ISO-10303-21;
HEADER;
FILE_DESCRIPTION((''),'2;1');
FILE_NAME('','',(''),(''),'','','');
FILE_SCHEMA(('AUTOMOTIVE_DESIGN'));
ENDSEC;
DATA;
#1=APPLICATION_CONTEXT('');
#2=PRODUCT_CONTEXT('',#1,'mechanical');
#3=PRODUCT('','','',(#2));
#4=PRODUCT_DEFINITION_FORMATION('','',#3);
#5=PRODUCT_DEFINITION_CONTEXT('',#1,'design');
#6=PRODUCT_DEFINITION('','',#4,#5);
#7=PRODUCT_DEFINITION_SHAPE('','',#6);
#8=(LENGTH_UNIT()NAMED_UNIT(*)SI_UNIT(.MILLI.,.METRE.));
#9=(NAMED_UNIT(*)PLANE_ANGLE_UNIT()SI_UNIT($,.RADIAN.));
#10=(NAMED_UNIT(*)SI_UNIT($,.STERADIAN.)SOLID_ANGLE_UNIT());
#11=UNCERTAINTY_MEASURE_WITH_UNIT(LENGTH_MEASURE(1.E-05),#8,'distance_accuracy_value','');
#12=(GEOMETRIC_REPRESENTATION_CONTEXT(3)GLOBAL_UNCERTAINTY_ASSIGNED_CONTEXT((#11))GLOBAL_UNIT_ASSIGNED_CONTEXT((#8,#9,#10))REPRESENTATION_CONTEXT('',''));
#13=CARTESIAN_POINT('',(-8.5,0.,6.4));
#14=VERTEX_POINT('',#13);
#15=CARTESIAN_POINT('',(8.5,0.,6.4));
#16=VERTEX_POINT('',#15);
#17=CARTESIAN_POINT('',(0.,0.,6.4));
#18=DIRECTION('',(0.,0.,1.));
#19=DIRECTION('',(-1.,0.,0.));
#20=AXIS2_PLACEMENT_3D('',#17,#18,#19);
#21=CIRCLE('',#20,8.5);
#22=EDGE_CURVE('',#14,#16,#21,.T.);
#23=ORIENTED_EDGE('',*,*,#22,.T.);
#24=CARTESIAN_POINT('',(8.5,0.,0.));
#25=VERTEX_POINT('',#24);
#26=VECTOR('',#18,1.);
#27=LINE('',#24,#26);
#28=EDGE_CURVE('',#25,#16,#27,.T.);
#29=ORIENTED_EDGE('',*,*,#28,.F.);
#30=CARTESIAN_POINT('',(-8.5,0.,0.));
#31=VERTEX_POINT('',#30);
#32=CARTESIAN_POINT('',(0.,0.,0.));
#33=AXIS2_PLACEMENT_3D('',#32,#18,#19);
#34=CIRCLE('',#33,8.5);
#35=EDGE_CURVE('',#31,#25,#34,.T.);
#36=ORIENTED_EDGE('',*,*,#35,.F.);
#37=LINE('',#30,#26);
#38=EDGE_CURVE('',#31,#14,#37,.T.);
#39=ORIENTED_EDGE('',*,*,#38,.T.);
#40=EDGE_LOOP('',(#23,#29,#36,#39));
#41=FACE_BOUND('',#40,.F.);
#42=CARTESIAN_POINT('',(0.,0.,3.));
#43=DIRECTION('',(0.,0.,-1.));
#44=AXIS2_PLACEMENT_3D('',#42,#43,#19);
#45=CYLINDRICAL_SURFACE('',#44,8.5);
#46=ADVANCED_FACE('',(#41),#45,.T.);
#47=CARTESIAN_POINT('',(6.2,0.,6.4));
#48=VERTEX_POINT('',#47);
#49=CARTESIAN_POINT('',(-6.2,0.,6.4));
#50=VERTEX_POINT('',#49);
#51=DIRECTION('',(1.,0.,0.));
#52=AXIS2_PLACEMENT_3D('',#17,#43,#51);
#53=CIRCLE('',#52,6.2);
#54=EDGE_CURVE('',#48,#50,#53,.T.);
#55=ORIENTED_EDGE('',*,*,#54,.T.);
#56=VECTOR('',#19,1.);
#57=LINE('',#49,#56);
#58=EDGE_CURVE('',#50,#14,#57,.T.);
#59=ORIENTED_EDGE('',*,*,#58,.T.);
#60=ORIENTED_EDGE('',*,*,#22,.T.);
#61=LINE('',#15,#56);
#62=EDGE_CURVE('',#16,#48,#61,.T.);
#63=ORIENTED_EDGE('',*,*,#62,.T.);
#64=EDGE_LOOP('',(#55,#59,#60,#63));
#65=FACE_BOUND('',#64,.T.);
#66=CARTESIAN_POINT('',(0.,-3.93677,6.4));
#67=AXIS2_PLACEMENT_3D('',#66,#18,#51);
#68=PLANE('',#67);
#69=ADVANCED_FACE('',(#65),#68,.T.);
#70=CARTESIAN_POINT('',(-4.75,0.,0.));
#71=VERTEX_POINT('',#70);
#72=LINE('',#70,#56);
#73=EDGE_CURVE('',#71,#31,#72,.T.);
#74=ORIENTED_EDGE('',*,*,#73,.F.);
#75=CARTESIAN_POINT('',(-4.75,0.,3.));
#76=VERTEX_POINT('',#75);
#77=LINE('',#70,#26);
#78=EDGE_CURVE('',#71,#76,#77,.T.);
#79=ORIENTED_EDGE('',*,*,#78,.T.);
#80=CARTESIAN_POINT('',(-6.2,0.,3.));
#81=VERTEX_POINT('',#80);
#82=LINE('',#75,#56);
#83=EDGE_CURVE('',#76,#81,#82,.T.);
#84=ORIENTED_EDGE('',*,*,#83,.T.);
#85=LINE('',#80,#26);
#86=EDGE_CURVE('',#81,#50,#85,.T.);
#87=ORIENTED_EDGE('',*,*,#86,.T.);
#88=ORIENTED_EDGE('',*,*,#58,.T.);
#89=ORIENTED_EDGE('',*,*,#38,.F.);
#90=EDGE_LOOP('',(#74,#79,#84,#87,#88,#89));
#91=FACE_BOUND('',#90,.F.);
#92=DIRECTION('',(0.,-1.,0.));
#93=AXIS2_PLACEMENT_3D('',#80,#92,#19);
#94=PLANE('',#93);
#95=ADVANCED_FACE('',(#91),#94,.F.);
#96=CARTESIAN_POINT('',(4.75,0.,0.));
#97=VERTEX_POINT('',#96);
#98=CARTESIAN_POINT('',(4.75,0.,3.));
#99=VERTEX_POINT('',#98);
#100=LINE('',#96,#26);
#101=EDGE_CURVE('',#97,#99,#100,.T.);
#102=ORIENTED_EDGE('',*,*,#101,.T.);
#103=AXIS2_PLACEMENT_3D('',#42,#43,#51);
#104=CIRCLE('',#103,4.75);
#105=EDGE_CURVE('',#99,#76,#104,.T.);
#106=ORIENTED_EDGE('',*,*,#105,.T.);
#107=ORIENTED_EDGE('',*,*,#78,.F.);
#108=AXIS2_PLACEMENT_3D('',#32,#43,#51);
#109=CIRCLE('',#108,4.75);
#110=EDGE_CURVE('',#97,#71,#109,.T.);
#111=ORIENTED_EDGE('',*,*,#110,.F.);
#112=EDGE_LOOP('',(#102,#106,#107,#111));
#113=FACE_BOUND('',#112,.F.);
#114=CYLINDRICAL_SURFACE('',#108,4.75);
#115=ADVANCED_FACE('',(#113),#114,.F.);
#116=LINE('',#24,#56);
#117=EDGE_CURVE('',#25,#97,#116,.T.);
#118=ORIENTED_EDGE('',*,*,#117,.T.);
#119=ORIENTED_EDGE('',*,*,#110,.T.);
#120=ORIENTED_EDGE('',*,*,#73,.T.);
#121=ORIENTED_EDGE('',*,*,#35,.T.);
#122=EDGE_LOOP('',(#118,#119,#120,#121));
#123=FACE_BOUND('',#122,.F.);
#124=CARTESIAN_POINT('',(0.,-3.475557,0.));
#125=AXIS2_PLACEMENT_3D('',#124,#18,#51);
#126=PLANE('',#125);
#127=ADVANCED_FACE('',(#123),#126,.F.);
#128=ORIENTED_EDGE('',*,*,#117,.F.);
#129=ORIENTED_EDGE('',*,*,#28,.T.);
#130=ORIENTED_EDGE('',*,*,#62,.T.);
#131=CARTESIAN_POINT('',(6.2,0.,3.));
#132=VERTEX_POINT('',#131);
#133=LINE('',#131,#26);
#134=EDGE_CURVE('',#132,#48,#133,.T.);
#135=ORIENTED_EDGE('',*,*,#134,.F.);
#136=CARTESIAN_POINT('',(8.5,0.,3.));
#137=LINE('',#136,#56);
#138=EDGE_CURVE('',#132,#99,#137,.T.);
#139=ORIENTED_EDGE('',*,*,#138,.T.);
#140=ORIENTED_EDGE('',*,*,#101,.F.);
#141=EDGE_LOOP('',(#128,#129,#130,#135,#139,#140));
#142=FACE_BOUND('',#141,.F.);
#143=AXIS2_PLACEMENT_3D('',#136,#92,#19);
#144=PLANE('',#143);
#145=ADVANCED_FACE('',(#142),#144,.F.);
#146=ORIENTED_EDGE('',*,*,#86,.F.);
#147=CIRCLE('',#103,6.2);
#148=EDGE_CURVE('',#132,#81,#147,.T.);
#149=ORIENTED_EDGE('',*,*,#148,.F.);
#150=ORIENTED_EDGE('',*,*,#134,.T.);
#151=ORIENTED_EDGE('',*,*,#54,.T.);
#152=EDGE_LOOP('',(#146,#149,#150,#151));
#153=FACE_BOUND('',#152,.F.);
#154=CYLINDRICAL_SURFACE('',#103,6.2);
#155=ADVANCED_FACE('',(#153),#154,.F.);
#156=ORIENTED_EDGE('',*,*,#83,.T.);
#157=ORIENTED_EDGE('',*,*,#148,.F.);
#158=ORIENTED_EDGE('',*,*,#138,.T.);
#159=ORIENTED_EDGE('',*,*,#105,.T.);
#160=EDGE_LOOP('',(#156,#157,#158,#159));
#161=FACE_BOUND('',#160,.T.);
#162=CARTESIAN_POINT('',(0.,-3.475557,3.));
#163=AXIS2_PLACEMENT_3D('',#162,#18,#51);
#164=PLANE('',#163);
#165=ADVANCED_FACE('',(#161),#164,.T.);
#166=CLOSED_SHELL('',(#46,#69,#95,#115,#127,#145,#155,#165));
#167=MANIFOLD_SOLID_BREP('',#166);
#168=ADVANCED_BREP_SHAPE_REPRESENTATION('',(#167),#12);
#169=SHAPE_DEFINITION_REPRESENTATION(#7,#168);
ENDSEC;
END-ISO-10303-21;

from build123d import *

# Parameters (mm, degrees)
F1_DEPTH = 3
F3_DEPTH = 3.4


with BuildPart() as f1:
    # F0 (on Top) → F1 (new body)
    with BuildSketch(Plane.XY):
        with BuildLine():
            ThreePointArc((4.75, 0), (0, -4.75), (-4.75, 0))
            Line((-4.75, 0), (-8.5, 0))
            ThreePointArc((-8.5, 0), (0, -8.5), (8.5, 0))
            Line((8.5, 0), (4.75, 0))
        make_face()
    extrude(amount=F1_DEPTH)

    # F2 (on face) → F3 (join)
    with BuildSketch(Plane.XY.offset(3)):
        with BuildLine():
            Line((-6.2, 0), (-8.5, 0))
            ThreePointArc((-8.5, 0), (0, -8.5), (8.5, 0))
            Line((8.5, 0), (6.2, 0))
            ThreePointArc((6.2, 0), (0, -6.2), (-6.2, 0))
        make_face()
    extrude(amount=F3_DEPTH)


solid = f1.part
